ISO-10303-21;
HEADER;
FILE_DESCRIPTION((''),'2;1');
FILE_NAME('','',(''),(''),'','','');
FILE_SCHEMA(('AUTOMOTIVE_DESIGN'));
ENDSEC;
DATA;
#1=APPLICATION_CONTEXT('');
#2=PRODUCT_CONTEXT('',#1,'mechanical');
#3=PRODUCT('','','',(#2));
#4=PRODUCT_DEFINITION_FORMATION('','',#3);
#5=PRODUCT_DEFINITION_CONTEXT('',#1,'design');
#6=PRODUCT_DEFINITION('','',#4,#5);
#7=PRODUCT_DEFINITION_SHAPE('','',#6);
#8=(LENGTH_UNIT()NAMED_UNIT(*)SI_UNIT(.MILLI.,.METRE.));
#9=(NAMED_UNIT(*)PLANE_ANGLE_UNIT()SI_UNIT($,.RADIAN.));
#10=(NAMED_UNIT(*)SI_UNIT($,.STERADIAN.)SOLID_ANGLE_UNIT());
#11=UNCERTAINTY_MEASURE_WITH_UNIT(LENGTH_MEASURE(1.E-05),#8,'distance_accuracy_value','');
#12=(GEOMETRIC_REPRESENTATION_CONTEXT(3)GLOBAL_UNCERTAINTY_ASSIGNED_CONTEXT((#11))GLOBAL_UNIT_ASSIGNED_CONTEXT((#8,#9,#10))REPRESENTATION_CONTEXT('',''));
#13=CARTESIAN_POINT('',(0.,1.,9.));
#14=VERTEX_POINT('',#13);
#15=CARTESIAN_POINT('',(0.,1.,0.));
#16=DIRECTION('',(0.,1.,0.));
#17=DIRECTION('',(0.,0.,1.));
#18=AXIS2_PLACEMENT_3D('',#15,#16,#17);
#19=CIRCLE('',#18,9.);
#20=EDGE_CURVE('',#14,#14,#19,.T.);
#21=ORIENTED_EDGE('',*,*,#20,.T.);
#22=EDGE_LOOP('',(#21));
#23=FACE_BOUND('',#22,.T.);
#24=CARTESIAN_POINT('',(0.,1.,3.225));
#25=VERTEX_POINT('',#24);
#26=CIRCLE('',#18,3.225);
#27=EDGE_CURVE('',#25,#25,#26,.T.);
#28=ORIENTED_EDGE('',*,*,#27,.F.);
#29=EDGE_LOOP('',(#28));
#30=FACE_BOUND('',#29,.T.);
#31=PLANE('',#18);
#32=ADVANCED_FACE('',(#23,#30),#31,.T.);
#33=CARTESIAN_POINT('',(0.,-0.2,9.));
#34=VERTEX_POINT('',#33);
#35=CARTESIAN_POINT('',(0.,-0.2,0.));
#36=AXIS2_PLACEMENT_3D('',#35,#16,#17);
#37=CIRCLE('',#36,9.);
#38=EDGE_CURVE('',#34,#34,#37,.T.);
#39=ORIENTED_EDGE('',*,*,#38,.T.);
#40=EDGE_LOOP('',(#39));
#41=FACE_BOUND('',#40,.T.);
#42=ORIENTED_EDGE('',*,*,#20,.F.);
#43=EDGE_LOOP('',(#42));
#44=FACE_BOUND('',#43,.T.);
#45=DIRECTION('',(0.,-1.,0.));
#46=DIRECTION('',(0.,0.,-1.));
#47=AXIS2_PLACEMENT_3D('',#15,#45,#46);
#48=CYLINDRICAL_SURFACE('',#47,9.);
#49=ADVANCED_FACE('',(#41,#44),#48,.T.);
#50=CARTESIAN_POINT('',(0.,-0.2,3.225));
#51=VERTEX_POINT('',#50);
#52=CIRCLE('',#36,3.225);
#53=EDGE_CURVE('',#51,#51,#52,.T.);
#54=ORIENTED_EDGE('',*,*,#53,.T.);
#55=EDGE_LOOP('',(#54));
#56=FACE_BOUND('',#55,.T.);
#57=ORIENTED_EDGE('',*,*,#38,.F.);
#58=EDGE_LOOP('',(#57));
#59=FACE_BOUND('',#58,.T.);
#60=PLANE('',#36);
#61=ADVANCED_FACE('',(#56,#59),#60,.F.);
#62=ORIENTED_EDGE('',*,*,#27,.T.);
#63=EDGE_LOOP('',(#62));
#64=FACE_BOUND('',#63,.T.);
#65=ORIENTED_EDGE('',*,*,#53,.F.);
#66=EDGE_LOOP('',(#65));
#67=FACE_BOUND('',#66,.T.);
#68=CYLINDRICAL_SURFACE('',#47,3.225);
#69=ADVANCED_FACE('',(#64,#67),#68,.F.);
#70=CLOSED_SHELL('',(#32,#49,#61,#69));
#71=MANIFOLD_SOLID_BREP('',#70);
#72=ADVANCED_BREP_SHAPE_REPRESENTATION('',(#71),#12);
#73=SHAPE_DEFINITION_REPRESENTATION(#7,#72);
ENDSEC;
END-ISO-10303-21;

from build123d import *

# Parameters (mm, degrees)
SCHIZZO1_R                   = 6
SCHIZZO1_R_2                 = 2.15
ESTRUSIONE_ESTRUSIONE1_DEPTH = 0.8
SCALE3_SCALE                 = 1.5


with BuildPart() as part:
    # Schizzo1 → Estrusione-Estrusione1 (new body)
    with BuildSketch(Plane(origin=(0, 0, 0), x_dir=(1, 0, 0), z_dir=(0, 1, 0))):
        Circle(SCHIZZO1_R)
        Circle(SCHIZZO1_R_2, mode=Mode.SUBTRACT)
    extrude(amount=ESTRUSIONE_ESTRUSIONE1_DEPTH)


with BuildPart() as part_1:
    # Scale3: scaled about (0, 0.4, 0)
    add(part.part.scale(SCALE3_SCALE).moved(Location((0, -0.2, 0))))


solid = part_1.part
